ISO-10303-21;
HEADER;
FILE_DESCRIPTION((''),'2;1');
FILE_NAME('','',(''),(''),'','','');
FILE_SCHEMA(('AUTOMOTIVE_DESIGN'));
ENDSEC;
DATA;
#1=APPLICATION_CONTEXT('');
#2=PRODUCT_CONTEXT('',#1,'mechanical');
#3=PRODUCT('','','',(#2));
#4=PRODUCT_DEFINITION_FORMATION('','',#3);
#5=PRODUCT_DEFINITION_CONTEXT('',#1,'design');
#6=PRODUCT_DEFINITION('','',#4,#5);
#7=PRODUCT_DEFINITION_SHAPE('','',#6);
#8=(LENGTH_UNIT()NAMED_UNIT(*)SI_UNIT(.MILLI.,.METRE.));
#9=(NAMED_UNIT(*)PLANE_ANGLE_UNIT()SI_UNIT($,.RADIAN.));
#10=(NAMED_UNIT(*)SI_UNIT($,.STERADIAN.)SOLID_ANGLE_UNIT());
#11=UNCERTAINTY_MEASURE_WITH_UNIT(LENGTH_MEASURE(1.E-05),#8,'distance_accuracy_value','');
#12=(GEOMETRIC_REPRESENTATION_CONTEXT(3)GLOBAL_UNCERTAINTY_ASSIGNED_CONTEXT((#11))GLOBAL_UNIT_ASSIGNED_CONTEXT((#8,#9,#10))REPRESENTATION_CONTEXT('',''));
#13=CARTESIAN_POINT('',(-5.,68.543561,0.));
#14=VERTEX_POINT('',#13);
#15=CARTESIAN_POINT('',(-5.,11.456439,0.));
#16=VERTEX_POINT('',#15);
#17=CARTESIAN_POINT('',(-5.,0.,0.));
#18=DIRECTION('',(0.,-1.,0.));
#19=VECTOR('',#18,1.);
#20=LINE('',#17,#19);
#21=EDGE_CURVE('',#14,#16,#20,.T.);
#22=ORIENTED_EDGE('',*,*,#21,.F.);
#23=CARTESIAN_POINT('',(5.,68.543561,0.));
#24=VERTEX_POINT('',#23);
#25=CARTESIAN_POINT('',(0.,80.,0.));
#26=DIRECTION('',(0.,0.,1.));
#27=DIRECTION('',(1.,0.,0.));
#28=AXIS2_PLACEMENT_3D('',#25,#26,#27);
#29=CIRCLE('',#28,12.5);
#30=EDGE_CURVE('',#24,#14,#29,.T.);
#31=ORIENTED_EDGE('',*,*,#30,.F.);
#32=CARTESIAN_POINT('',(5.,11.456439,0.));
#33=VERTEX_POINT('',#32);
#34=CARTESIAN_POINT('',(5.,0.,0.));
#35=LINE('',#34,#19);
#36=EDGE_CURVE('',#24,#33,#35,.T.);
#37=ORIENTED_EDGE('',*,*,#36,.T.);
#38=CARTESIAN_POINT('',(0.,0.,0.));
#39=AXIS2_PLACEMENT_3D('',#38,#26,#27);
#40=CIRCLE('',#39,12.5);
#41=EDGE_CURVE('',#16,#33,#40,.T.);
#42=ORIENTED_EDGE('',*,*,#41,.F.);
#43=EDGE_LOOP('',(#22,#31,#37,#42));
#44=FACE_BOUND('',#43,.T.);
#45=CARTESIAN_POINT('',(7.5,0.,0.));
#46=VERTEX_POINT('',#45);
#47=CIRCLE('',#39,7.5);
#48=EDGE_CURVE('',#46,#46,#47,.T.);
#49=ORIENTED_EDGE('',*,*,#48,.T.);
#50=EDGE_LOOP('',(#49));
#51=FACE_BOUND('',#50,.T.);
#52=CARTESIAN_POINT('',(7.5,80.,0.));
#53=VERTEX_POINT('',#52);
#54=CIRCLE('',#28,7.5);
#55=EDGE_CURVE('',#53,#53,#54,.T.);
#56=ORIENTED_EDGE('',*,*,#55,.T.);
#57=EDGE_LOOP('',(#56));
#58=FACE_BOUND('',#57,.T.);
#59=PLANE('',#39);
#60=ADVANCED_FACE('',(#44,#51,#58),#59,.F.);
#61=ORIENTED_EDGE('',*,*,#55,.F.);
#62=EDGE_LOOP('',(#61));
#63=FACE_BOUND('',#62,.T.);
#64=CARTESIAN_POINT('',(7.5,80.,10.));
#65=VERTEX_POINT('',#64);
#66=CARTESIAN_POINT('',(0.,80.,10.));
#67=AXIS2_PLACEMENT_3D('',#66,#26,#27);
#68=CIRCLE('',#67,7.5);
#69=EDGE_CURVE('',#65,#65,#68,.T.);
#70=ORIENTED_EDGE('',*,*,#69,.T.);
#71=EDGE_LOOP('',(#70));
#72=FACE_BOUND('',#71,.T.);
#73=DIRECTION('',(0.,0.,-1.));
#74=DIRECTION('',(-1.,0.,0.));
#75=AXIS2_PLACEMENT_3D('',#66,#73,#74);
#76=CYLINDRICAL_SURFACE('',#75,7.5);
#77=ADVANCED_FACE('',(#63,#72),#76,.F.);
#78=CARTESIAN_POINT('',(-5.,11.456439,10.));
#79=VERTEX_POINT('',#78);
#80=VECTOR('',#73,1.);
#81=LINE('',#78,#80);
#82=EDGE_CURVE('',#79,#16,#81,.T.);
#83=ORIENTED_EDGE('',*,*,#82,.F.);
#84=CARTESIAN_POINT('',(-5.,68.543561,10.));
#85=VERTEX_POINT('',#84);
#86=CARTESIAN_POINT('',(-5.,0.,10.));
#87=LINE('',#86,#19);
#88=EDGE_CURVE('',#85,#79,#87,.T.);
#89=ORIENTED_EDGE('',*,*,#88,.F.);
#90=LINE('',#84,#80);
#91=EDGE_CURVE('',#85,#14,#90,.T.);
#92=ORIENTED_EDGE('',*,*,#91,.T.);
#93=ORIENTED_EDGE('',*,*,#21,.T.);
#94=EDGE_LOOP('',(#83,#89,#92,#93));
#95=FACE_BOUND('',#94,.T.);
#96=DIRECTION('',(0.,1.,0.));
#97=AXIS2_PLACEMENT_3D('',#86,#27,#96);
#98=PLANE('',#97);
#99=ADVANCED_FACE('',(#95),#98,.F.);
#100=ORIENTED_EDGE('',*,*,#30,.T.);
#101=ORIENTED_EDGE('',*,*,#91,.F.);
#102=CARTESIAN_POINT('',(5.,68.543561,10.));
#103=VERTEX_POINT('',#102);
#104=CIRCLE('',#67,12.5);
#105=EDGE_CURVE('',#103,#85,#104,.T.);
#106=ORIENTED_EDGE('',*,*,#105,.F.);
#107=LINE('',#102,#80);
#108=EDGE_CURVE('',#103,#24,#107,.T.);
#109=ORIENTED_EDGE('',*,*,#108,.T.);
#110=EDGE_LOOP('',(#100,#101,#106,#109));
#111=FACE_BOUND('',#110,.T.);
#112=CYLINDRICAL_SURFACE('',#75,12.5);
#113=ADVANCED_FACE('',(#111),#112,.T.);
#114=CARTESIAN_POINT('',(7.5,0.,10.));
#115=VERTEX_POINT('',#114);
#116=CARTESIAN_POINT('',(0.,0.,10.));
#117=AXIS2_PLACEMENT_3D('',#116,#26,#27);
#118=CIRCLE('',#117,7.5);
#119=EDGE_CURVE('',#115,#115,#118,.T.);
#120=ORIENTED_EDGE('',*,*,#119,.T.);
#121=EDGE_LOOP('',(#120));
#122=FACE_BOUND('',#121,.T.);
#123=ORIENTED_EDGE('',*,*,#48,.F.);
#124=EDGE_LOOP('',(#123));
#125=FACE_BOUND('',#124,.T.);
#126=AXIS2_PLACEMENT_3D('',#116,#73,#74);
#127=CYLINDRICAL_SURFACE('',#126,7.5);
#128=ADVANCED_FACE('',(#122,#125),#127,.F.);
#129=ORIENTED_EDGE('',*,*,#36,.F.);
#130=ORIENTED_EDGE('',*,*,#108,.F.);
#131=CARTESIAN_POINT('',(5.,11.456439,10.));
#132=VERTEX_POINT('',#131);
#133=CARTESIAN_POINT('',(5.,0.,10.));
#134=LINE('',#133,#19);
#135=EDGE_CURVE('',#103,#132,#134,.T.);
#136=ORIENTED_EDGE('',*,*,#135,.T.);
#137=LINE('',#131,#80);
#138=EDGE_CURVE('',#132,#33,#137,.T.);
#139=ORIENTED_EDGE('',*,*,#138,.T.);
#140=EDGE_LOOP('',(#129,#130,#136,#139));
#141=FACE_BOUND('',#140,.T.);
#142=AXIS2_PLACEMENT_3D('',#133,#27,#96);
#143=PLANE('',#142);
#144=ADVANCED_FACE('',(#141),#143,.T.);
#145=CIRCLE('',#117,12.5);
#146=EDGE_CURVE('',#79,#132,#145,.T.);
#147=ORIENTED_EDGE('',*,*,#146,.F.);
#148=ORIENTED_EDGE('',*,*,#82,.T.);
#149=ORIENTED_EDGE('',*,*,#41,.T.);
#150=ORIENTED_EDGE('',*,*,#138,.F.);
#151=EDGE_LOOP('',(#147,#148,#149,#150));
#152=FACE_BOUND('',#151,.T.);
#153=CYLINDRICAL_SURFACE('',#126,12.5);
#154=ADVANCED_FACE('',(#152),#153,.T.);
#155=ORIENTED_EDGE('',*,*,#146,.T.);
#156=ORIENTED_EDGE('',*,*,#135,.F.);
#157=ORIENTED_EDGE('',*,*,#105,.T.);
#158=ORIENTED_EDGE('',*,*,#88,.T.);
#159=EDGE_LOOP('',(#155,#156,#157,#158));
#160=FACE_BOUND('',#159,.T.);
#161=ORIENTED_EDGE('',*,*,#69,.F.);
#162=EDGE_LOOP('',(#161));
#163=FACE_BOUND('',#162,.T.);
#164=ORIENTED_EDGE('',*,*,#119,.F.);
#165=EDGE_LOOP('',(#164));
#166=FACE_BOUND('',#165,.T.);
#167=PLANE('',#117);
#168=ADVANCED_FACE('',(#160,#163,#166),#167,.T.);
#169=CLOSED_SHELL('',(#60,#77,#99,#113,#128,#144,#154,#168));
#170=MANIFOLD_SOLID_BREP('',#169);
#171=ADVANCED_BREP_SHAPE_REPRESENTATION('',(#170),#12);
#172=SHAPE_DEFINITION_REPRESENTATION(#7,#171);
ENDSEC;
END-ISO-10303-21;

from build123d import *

# Parameters (mm, degrees)
SKETCH1_R           = 7.5
BOSS_EXTRUDE1_DEPTH = 10


with BuildPart() as part:
    # Sketch1 → Boss-Extrude1 (new body)
    with BuildSketch(Plane.XY):
        with BuildLine():
            ThreePointArc((-5, 11.456439237), (0, -12.5), (5, 11.456439237))
            Line((5, 11.456439237), (5, 68.543560763))
            ThreePointArc((5, 68.543560763), (0, 92.5), (-5, 68.543560763))
            Line((-5, 68.543560763), (-5, 11.456439237))
        make_face()
        with Locations((0, 80)):
            Circle(SKETCH1_R, mode=Mode.SUBTRACT)
        Circle(SKETCH1_R, mode=Mode.SUBTRACT)
    extrude(amount=BOSS_EXTRUDE1_DEPTH)


solid = part.part
